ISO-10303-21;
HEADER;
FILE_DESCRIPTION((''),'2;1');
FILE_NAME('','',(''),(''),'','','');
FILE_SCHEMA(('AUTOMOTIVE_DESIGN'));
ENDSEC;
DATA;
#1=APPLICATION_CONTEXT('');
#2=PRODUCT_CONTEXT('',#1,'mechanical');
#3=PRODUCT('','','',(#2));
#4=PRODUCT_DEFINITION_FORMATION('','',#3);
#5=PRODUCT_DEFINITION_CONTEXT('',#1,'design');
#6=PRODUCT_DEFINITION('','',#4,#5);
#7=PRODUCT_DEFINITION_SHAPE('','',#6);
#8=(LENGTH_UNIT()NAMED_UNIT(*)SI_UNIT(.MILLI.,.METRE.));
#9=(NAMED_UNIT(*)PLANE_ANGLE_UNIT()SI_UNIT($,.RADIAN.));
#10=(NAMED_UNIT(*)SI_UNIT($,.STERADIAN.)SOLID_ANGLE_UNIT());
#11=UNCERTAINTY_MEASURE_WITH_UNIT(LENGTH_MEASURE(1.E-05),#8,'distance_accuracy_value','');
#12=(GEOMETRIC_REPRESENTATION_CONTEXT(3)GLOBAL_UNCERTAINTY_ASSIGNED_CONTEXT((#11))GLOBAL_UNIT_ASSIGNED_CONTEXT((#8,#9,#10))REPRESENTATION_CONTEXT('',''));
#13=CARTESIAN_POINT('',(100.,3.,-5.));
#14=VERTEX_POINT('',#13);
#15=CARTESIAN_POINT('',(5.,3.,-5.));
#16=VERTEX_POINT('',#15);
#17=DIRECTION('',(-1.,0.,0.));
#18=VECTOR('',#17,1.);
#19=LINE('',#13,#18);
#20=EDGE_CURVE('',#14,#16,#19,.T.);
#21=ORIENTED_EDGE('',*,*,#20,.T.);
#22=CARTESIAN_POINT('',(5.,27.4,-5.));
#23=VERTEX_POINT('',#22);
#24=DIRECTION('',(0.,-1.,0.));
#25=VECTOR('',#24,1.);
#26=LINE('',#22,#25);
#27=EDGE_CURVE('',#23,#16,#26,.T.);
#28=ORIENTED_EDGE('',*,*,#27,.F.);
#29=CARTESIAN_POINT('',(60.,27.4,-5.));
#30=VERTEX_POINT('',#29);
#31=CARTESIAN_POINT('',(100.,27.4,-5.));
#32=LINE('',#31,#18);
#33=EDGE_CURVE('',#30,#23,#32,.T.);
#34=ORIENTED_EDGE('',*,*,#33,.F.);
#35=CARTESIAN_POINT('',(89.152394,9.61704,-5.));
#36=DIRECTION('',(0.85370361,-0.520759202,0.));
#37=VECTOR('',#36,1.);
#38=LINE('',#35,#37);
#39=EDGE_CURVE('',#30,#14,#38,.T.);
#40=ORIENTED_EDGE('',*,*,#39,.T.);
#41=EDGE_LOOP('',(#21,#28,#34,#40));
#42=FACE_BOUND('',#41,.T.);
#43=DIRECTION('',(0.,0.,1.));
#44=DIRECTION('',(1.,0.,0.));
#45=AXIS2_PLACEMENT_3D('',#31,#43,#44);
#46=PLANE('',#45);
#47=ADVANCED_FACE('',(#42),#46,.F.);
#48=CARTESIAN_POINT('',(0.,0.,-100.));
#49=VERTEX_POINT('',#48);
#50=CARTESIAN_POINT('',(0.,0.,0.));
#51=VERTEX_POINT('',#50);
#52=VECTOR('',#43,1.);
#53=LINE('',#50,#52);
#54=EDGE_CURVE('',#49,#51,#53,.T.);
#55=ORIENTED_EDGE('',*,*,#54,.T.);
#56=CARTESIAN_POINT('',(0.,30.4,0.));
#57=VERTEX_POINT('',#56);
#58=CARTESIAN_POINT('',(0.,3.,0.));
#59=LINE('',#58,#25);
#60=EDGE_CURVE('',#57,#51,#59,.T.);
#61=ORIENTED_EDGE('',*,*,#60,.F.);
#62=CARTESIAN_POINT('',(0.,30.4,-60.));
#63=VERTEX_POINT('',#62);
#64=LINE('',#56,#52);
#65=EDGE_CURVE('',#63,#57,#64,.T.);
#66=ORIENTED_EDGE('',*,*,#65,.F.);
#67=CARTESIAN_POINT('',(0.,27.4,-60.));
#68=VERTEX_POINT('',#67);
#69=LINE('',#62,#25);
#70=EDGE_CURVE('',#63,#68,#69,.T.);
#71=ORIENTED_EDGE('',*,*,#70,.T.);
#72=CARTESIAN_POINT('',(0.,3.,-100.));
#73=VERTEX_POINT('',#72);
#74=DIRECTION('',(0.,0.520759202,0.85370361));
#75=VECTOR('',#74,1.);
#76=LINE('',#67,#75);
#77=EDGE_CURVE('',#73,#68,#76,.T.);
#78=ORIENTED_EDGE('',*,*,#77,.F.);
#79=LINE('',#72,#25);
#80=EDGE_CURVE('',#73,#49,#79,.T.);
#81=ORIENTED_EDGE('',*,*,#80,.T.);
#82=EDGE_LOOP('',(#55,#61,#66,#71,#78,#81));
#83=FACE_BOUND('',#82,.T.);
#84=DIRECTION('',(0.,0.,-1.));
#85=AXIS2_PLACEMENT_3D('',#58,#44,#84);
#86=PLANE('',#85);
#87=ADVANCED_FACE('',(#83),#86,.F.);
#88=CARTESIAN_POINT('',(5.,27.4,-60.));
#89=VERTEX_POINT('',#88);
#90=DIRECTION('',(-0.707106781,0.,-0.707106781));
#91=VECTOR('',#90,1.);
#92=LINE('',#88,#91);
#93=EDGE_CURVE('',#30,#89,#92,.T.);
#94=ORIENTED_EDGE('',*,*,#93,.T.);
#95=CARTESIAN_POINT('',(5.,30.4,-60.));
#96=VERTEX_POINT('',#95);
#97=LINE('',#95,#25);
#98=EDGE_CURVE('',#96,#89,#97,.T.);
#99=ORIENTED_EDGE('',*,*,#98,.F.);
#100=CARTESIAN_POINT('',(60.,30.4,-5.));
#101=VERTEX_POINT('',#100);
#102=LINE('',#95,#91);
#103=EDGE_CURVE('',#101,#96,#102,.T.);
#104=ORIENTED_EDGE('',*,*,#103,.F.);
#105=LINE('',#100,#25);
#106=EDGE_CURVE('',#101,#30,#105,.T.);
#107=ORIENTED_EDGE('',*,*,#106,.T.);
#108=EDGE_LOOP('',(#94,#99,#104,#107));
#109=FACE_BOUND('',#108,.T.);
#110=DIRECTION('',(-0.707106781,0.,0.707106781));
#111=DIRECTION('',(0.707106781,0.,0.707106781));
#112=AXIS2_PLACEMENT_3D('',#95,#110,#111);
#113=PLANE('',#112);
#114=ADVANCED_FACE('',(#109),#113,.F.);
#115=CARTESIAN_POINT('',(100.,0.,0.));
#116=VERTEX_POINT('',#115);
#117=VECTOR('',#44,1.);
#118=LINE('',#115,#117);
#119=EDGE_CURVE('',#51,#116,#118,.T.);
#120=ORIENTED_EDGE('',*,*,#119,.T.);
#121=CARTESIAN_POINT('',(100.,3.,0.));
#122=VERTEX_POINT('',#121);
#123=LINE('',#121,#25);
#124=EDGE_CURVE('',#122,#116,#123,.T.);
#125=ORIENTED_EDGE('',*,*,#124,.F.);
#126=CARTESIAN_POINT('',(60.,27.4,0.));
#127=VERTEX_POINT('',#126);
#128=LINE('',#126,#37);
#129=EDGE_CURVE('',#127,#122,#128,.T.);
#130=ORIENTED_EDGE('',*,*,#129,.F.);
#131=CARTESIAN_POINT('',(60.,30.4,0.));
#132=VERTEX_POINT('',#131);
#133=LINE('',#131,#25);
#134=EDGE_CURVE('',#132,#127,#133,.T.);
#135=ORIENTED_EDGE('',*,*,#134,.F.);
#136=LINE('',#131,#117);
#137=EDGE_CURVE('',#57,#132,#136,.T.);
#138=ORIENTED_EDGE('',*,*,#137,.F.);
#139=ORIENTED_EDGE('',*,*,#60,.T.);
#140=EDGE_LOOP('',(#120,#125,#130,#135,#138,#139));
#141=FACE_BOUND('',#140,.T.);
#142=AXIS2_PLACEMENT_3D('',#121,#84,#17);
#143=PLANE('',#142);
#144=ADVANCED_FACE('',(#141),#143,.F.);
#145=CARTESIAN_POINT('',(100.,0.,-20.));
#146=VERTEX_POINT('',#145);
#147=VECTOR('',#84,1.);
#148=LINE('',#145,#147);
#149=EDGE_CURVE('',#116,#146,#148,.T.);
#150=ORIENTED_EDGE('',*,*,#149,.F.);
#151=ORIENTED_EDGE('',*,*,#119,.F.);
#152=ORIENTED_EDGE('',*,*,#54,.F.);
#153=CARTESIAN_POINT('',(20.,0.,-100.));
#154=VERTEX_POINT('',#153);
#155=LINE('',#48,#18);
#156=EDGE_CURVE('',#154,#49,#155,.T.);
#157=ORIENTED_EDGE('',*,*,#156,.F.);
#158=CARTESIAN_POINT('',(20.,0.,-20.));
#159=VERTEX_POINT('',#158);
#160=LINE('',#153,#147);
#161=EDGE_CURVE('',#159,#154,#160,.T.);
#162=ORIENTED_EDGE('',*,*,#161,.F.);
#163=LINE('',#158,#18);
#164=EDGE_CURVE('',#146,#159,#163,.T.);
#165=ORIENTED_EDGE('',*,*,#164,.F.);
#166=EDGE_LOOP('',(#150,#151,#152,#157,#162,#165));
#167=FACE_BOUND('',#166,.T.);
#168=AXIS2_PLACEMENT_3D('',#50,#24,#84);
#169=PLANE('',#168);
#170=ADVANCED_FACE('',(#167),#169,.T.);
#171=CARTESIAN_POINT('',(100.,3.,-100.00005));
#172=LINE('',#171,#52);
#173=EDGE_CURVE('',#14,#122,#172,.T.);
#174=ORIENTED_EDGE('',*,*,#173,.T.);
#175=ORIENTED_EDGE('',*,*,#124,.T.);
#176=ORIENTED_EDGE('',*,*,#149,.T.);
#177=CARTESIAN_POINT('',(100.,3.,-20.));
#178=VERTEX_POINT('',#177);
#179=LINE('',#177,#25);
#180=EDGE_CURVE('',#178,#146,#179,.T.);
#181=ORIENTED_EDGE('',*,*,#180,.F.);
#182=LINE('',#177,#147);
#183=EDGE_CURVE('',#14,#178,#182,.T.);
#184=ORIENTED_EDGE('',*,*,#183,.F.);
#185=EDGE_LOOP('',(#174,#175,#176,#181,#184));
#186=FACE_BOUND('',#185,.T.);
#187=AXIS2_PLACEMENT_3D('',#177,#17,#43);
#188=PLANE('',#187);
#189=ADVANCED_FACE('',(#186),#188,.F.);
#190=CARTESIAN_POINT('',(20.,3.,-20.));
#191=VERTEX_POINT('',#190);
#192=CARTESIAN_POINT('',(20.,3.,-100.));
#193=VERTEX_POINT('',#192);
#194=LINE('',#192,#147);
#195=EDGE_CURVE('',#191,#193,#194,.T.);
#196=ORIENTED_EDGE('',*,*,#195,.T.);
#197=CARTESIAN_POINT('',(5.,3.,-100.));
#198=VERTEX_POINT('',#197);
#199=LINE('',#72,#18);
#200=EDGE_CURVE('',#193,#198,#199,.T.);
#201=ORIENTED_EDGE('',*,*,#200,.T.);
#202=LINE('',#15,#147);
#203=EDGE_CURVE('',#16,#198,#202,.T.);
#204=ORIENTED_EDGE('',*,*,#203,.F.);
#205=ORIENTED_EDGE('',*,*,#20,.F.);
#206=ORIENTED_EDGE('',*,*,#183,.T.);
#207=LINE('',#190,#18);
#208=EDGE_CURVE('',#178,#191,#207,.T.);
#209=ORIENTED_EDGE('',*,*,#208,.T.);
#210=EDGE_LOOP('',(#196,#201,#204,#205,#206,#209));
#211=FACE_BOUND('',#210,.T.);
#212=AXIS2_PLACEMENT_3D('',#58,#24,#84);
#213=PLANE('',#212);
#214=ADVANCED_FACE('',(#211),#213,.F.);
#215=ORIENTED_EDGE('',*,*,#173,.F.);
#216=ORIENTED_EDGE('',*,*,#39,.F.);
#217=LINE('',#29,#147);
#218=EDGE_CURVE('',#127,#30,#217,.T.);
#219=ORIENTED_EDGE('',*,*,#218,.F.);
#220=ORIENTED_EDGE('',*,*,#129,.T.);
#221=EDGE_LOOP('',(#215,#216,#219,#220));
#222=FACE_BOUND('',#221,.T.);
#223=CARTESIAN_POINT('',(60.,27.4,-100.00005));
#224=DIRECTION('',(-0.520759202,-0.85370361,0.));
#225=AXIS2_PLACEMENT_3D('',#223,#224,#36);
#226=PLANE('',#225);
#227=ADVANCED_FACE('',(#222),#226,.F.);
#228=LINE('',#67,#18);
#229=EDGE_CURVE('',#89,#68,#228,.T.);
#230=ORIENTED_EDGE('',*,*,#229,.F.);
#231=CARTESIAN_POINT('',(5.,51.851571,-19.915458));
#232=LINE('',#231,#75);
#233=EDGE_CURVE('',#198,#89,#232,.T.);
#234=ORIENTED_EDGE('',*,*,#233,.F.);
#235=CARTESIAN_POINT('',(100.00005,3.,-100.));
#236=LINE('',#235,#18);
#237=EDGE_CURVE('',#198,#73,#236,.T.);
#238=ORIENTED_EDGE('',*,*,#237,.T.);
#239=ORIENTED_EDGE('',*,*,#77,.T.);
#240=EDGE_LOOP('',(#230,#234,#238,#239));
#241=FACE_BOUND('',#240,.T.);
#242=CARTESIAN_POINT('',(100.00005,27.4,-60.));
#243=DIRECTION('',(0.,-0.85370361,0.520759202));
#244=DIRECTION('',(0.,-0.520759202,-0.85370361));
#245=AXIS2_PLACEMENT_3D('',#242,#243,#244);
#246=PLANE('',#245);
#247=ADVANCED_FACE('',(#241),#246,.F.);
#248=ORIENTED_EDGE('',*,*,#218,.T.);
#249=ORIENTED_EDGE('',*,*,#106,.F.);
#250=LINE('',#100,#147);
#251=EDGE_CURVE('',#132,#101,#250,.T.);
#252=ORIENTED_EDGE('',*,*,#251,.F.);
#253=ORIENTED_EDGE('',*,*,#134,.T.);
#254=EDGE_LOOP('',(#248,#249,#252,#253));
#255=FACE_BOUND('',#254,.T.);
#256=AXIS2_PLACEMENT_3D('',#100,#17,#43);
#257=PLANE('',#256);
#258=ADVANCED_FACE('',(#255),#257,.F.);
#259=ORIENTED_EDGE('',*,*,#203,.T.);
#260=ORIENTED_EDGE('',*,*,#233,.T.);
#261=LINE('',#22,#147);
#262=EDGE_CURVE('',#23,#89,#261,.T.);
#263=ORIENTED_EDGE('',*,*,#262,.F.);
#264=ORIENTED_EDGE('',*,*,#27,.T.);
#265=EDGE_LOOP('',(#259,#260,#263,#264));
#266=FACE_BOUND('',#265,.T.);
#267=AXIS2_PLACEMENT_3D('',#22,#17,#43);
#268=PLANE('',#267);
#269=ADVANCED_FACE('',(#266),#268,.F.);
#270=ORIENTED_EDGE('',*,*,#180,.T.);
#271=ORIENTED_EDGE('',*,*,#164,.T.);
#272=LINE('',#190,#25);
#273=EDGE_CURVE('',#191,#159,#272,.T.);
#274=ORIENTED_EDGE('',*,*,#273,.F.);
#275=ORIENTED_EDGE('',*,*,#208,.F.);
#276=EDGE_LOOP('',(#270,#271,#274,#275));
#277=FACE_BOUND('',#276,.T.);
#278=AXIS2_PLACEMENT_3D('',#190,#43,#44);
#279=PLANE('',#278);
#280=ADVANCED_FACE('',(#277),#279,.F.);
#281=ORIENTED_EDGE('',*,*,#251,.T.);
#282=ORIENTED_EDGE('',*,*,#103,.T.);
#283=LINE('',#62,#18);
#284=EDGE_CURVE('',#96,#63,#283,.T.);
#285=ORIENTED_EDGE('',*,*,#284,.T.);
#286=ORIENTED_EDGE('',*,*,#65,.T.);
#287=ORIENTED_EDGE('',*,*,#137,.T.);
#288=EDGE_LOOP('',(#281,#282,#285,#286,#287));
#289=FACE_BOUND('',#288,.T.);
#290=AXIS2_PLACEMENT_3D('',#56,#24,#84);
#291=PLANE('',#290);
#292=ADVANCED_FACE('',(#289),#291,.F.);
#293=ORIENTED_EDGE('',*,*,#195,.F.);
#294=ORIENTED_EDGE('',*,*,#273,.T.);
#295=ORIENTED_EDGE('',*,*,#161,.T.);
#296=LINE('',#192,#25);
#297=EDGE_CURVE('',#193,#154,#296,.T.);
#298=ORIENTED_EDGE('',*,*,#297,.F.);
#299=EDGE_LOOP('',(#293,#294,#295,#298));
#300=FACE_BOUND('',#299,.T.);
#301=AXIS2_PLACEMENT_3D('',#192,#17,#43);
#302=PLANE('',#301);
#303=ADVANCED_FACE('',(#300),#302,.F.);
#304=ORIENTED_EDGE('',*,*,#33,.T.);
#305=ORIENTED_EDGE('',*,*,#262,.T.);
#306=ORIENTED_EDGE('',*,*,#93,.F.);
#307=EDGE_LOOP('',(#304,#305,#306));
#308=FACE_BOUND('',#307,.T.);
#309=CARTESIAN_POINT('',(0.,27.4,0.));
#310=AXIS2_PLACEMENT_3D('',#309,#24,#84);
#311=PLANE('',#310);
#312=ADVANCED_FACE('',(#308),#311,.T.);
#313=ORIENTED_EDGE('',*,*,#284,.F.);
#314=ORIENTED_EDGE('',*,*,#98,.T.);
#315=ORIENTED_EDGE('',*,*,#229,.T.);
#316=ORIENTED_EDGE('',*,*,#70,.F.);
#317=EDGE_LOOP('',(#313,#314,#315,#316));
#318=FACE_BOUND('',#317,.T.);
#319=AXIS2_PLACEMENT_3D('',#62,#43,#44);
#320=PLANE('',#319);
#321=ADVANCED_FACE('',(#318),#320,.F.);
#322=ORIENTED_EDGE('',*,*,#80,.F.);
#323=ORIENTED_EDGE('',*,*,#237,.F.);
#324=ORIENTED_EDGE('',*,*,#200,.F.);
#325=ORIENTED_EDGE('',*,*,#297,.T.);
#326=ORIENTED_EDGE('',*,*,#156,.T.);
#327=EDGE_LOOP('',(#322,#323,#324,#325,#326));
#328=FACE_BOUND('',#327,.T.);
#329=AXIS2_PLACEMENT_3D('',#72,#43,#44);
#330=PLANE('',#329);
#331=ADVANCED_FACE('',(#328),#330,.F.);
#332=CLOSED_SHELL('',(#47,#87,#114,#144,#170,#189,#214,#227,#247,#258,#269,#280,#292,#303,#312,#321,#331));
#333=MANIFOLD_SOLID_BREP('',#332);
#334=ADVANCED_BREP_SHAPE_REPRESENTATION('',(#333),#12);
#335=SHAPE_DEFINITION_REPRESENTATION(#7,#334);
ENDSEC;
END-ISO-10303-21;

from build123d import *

# Parameters (mm, degrees)
BOSS_EXTRUDE1_DEPTH = 3
BOSS_EXTRUDE2_DEPTH = 24.4
BOSS_EXTRUDE3_DEPTH = 3
CUT_EXTRUDE2_DEPTH  = 101
CUT_EXTRUDE3_DEPTH  = 101


with BuildPart() as part:
    # Sketch1 → Boss-Extrude1 (new body)
    with BuildSketch(Plane(origin=(0, 0, 0), x_dir=(1, 0, 0), z_dir=(0, 1, 0))):
        Polygon((0, 0), (0, 100), (20, 100), (20, 20), (100, 20), (100, 0), align=None)
    extrude(amount=BOSS_EXTRUDE1_DEPTH)

    # Sketch2 → Boss-Extrude2 (add)
    with BuildSketch(Plane(origin=(0, 3, 0), x_dir=(1, 0, 0), z_dir=(0, 1, 0))):
        Polygon((0, 100), (0, 0), (100, 0), (100, 5), (5, 5), (5, 100), align=None)
    extrude(amount=BOSS_EXTRUDE2_DEPTH)

    # Sketch3 → Boss-Extrude3 (add)
    with BuildSketch(Plane(origin=(0, 27.4, 0), x_dir=(1, 0, 0), z_dir=(0, 1, 0))):
        Polygon((0, 0), (0, 60), (5, 60), (60, 5), (60, 0), align=None)
    extrude(amount=BOSS_EXTRUDE3_DEPTH)

    # Sketch4 → Cut-Extrude2 (cut, through all)
    with BuildSketch(Plane.ZY):
        Polygon((-60, 27.4), (-100, 3), (-100, 27.4), align=None)
    extrude(amount=-CUT_EXTRUDE2_DEPTH, mode=Mode.SUBTRACT)

    # Sketch5 → Cut-Extrude3 (cut, through all)
    with BuildSketch(Plane.XY):
        Polygon((60, 27.4), (100, 3), (100, 27.4), align=None)
    extrude(amount=-CUT_EXTRUDE3_DEPTH, mode=Mode.SUBTRACT)


solid = part.part
